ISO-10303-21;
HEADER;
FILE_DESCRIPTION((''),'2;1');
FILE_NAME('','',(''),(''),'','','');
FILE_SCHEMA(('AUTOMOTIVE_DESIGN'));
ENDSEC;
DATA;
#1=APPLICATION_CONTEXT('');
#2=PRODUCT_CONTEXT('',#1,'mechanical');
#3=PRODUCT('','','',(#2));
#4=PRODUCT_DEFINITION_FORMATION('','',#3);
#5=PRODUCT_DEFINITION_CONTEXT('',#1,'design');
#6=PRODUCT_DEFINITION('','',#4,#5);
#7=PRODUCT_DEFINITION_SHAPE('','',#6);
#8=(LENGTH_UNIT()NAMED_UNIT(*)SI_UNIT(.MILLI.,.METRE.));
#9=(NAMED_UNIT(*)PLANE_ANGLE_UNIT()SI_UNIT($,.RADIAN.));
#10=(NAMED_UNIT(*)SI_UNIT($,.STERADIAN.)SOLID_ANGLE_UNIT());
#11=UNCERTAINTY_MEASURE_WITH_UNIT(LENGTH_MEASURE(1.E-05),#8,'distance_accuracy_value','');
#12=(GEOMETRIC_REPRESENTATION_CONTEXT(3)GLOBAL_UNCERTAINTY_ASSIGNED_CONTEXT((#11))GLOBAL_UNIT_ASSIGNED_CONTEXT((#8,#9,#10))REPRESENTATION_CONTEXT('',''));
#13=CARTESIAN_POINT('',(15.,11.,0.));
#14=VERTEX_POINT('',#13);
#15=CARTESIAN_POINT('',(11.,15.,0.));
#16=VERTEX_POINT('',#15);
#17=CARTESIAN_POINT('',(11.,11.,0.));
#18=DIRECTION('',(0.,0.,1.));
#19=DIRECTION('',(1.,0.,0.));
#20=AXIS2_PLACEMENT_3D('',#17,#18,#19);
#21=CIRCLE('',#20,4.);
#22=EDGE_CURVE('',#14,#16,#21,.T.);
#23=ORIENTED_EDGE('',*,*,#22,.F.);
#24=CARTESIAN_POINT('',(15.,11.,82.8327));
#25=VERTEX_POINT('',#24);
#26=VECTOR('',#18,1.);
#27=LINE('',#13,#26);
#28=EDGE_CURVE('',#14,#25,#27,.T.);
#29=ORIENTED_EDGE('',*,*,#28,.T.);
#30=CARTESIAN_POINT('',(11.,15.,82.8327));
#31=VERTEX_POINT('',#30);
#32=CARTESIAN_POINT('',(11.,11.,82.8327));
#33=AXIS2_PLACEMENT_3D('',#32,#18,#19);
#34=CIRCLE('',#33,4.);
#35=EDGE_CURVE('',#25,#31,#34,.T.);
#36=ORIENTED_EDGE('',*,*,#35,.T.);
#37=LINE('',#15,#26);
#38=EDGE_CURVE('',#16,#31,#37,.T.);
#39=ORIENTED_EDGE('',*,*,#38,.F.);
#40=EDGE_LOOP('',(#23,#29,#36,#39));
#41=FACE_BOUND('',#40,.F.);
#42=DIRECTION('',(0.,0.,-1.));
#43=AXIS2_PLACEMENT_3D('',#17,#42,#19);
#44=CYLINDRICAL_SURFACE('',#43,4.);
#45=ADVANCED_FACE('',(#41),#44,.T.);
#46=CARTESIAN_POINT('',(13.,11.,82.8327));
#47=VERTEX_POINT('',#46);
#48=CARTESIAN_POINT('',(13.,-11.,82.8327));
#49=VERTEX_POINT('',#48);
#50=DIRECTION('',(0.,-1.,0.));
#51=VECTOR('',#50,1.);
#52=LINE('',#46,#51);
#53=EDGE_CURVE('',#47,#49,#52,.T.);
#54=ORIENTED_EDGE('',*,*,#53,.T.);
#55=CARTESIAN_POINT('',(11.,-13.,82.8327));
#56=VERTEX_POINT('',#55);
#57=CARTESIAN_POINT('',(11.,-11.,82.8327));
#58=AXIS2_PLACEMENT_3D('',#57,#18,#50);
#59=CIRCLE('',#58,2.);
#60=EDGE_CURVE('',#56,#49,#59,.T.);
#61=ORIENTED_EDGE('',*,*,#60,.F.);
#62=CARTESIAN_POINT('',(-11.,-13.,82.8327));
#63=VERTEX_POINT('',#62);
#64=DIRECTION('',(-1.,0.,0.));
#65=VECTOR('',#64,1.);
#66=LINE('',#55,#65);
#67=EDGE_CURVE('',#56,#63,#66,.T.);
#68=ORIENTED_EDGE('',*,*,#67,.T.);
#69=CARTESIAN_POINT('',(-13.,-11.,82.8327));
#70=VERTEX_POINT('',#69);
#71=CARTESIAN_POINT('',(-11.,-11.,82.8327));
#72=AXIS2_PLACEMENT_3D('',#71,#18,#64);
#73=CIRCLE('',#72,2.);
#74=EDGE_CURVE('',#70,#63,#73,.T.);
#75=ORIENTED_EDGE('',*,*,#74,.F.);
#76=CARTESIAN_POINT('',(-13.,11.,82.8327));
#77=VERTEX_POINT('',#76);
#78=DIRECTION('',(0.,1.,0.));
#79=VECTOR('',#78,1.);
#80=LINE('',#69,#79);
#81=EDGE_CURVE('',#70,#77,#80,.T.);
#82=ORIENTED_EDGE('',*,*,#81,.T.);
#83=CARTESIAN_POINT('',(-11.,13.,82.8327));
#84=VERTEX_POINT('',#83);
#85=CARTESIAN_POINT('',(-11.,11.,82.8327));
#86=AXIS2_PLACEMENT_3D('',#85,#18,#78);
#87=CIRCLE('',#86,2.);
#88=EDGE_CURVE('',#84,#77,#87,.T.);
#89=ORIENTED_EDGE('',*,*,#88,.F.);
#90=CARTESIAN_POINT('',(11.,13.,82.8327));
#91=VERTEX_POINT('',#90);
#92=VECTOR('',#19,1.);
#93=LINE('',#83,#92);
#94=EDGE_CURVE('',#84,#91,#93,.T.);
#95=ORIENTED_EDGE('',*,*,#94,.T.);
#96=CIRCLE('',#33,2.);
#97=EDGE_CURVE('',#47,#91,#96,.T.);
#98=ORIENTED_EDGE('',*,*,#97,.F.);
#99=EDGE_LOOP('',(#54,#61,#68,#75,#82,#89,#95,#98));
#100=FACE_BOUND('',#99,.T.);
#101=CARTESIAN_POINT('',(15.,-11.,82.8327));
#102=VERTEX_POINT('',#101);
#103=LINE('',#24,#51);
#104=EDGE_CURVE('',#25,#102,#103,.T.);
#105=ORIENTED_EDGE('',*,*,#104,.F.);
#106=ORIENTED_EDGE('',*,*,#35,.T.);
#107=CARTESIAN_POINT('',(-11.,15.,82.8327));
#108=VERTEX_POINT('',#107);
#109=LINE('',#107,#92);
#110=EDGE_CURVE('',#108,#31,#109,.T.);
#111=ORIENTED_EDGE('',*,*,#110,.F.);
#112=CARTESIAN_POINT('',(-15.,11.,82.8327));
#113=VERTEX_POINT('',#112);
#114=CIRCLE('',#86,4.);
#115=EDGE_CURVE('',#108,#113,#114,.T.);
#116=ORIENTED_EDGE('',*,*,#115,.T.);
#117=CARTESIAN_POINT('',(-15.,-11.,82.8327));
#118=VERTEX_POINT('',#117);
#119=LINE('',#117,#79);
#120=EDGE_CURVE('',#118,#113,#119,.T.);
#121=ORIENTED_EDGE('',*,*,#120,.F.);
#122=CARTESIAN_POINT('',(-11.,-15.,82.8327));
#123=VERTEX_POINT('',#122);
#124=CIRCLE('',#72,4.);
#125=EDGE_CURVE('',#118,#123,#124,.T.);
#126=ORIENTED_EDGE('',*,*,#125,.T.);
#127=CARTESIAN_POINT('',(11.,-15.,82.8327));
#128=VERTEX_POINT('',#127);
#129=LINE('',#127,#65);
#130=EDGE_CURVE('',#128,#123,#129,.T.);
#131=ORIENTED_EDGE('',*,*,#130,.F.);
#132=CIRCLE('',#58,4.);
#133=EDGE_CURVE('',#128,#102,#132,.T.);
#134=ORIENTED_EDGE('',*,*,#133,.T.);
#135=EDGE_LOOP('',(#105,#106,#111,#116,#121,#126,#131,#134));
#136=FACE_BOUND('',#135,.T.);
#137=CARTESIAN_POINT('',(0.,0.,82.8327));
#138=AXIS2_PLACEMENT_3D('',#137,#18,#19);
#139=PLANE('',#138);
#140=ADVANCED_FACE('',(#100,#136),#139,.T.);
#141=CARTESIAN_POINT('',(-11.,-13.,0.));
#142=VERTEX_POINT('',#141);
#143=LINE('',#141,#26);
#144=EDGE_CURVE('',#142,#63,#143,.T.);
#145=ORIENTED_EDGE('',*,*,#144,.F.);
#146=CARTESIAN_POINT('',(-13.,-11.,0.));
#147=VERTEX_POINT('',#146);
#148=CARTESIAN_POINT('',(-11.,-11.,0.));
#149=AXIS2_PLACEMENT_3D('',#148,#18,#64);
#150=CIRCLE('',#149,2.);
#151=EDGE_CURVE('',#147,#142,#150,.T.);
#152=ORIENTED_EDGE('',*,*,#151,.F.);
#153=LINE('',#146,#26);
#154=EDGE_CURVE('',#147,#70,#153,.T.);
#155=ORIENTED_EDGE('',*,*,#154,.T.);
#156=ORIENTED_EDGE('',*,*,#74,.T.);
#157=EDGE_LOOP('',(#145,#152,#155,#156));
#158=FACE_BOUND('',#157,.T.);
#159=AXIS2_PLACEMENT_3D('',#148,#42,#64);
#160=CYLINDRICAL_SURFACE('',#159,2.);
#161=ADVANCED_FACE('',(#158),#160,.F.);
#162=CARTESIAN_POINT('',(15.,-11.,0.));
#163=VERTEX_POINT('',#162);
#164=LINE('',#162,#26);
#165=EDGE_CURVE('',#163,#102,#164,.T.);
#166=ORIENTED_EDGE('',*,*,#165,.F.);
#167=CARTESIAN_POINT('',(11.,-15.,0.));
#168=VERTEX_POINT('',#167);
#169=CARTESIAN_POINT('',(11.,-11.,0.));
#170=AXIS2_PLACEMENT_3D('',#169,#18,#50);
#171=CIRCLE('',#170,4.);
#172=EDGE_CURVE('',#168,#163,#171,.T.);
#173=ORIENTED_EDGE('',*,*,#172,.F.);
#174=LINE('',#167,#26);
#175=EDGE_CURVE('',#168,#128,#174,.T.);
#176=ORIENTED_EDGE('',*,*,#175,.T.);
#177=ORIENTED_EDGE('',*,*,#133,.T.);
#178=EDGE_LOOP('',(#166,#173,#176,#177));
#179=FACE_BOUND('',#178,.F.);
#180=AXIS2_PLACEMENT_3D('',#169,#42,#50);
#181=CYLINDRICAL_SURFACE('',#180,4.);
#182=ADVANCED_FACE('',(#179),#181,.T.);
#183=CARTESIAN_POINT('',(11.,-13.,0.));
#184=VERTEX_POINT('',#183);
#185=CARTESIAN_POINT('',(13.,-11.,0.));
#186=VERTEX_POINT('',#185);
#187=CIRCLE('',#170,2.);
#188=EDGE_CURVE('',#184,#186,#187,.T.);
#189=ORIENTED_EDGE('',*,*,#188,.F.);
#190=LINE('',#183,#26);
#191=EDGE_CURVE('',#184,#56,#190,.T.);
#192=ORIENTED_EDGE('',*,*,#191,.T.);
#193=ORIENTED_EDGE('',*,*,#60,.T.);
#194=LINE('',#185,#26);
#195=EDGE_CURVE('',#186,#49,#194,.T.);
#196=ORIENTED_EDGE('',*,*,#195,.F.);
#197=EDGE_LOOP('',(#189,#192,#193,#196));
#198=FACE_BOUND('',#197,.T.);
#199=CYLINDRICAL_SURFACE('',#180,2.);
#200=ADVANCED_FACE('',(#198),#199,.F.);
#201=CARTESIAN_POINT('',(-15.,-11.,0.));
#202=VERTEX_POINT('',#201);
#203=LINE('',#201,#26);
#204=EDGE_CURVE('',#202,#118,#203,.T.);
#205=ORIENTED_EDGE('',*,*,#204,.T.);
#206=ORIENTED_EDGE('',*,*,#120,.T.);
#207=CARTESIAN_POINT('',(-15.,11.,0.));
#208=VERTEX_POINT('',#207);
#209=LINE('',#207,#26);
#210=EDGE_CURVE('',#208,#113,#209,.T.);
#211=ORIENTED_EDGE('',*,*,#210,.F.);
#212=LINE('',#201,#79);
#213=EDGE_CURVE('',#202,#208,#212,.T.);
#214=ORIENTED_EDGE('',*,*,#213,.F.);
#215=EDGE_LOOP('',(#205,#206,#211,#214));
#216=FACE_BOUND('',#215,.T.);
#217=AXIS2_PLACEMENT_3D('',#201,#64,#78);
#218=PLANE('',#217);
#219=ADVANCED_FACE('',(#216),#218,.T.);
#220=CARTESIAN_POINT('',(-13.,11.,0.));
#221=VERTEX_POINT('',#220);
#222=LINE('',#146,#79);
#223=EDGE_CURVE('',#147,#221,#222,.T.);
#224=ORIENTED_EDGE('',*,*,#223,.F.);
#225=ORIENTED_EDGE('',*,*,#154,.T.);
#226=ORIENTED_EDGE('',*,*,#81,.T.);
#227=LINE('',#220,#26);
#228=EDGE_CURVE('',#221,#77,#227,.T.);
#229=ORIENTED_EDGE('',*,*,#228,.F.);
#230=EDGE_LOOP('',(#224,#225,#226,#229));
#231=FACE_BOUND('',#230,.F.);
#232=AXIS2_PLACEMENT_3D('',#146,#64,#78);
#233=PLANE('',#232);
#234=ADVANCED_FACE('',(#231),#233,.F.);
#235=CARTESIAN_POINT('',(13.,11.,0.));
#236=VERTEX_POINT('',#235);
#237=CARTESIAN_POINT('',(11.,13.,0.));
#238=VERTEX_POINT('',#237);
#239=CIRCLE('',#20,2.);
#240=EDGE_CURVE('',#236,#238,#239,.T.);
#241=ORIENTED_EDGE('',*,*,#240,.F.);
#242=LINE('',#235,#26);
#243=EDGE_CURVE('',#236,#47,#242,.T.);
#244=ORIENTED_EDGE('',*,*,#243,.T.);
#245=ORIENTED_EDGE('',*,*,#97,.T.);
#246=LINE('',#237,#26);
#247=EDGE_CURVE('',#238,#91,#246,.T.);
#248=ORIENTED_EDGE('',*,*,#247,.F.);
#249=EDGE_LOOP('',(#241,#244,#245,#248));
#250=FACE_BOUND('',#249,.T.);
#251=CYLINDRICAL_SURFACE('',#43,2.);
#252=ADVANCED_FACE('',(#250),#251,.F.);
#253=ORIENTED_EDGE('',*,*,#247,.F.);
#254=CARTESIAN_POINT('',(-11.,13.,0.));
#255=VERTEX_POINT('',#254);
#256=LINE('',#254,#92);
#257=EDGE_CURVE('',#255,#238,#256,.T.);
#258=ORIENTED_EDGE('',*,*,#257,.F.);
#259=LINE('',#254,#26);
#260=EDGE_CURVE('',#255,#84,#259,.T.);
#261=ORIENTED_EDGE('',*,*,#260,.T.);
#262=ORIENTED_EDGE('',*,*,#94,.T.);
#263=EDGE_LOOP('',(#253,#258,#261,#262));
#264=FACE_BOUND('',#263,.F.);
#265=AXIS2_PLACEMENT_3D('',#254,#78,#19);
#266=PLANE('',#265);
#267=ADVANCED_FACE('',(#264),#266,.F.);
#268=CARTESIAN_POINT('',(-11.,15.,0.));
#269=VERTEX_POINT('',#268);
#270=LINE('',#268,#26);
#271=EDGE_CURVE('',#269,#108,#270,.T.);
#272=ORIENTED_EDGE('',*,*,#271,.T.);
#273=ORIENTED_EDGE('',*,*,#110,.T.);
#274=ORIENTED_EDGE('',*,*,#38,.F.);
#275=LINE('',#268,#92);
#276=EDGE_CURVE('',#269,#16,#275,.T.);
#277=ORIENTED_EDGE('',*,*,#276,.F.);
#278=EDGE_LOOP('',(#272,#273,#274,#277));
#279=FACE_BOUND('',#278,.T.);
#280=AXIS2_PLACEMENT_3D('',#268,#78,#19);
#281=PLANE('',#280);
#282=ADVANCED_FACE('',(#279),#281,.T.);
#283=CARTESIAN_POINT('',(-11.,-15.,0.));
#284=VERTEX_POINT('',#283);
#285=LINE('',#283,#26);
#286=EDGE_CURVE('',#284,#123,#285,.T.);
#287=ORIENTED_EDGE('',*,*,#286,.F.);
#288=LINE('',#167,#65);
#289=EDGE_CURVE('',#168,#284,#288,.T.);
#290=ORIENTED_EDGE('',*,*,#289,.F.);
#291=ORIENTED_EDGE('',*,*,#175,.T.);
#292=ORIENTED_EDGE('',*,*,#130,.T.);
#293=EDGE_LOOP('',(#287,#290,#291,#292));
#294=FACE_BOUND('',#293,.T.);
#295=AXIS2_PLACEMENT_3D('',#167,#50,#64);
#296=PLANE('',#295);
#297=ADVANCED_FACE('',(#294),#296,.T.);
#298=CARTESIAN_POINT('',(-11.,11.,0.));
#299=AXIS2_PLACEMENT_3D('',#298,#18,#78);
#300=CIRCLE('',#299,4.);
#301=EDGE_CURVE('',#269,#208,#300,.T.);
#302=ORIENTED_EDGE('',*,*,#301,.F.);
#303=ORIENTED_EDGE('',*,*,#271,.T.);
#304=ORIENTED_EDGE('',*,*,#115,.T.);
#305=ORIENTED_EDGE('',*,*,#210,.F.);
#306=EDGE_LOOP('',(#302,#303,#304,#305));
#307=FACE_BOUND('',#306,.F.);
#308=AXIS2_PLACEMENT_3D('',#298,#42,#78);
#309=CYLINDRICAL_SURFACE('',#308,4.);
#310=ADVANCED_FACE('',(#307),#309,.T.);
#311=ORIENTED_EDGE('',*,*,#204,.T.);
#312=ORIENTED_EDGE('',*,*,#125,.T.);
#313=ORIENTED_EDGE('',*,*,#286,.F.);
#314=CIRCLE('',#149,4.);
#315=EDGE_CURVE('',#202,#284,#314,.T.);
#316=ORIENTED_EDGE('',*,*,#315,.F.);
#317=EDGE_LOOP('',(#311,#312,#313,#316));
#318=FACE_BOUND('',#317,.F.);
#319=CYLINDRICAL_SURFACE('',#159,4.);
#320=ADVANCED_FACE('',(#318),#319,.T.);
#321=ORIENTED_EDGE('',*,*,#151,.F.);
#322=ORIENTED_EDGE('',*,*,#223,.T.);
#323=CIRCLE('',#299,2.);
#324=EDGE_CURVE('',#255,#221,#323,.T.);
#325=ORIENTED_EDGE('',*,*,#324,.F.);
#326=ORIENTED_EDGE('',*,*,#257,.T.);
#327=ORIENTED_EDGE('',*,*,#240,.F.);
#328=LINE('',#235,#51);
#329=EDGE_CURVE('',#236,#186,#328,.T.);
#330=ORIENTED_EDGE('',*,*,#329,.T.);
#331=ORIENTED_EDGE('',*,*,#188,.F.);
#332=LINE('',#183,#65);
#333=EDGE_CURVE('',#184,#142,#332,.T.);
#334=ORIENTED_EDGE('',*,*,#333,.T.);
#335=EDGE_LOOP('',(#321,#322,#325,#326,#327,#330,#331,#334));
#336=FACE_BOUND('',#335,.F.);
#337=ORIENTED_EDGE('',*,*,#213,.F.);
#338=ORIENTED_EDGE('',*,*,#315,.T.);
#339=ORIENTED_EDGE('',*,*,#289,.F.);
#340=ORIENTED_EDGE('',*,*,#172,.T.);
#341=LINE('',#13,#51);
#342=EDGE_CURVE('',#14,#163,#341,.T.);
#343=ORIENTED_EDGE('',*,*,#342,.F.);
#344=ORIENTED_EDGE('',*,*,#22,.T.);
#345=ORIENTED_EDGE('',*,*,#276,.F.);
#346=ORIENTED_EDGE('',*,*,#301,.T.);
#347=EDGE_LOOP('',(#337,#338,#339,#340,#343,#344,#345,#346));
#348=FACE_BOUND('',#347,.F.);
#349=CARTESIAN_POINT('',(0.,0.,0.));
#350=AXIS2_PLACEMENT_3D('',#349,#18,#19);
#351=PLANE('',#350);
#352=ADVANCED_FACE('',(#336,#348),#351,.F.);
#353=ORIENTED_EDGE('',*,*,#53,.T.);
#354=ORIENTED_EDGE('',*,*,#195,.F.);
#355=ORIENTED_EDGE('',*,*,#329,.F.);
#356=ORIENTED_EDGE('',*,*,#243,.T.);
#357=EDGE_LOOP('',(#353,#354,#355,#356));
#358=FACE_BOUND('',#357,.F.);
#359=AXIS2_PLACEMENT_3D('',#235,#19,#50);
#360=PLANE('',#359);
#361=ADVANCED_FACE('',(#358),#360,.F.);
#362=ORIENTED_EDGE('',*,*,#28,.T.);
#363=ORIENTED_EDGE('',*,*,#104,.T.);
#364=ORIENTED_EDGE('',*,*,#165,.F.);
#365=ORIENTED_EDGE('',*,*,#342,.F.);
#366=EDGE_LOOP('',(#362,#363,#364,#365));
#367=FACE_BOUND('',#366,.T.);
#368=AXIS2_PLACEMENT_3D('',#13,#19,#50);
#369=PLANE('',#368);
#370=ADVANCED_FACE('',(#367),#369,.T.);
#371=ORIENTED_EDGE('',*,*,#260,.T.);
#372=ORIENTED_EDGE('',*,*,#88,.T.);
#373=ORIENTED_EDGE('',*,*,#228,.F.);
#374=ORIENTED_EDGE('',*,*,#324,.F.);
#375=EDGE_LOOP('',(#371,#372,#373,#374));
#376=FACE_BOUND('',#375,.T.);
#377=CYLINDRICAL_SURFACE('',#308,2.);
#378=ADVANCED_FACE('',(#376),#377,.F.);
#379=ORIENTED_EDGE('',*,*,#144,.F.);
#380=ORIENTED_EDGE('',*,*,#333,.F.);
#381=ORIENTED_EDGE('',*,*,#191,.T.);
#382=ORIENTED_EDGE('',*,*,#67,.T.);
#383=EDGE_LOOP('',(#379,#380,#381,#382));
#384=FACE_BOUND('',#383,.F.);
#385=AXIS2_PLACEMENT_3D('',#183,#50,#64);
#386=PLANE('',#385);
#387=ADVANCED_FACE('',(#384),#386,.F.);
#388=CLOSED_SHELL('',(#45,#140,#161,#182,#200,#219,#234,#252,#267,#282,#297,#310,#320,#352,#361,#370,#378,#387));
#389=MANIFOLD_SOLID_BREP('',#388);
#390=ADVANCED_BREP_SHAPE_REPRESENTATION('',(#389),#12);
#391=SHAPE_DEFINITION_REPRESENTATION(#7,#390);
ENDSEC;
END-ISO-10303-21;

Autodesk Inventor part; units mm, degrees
ref_plane "YZ Plane" through (0, 0, 0) normal (1, 0, 0) x (0, 1, 0)
ref_plane "Plano inicial" through (0, 0, 0) normal (0, 0, 1) x (1, 0, 0)
ref_plane "Plano final" through (0, 0, 82.8327) normal (0, 0, 1) x (1, 0, 0)
sketch "Esboço" plane through (0, 0, 0) normal (0, 0, 1) x (1, 0, 0)
  line L0 (-15, -11) -> (-15, 11)
  line L1 (-11, 15) -> (11, 15)
  line L2 (15, 11) -> (15, -11)
  line L3 (11, -15) -> (-11, -15)
  arc A0 (-15, -11) -> (-11, -15) centre (-11, -11) ccw
  arc A1 (15, 11) -> (11, 15) centre (11, 11) ccw
  arc A2 (-11, 15) -> (-15, 11) centre (-11, 11) ccw
  arc A3 (11, -15) -> (15, -11) centre (11, -11) ccw
  arc A4 (-11, 13) -> (-13, 11) centre (-11, 11) ccw
  line L4 (-11, 13) -> (11, 13)
  arc A5 (13, 11) -> (11, 13) centre (11, 11) ccw
  line L5 (13, 11) -> (13, -11)
  arc A6 (11, -13) -> (13, -11) centre (11, -11) ccw
  line L6 (11, -13) -> (-11, -13)
  arc A7 (-13, -11) -> (-11, -13) centre (-11, -11) ccw
  line L7 (-13, -11) -> (-13, 11)
  line L8 (0, 22.1598) -> (0, -22.1598) construction
  line L9 (-22.1598, 0) -> (22.1598, 0) construction
  dimension "d7" = 4
  dimension "d9" = 30
  dimension "d11" = 30
  dimension "d12" = 2
  dimension "d15" = 15
  dimension "d16" = 15
extrude "Corpo" add sketch "Esboço" along normal up to surface (82.8327 mm away) from surface at 0
sketch "Sketch3" plane through (0, 0, 0) normal (0, 0, 1) x (1, 0, 0)
  line L0 (0, 0) -> (10, 0)
ref_plane "Work Plane3" through (0, 0, 0) normal (0, -1, 0) x (1, 0, 0)
sketch "Sketch4" plane through (0, 0, 0) normal (0, -1, 0) x (1, 0, 0)
  line L0 (-2, 0) -> (12, 0)
  line L1 (-2, 82.8327) -> (12, 82.8327)
  dimension "d18" = 82.8327
equation "\"d7\" = G_IR"
equation "\"d9\" = G_W"
equation "\"d11\" = G_H"
equation "\"d12\" = G_T"
equation "\"d15\" = 0.5 * d9"
equation "\"d16\" = 0.5 * d11"
equation "\"d3\" = G_L"
equation "\"G_W\" = 30"
equation "\"G_H\" = 30"
equation "\"G_T\" = 2"
equation "\"G_IR\" = 4"
equation "\"G_L\" = d18"
equation "\"G_OFFSET_START\" = 0"
equation "\"G_OFFSET_END\" = 0"
equation "\"d14\" = G_OFFSET_END + B_L"
equation "\"B_L\" = 82.83269"
properties part number "ISO 10799-2 - 30x30x2 - 82,833" material "Aço, suave"
